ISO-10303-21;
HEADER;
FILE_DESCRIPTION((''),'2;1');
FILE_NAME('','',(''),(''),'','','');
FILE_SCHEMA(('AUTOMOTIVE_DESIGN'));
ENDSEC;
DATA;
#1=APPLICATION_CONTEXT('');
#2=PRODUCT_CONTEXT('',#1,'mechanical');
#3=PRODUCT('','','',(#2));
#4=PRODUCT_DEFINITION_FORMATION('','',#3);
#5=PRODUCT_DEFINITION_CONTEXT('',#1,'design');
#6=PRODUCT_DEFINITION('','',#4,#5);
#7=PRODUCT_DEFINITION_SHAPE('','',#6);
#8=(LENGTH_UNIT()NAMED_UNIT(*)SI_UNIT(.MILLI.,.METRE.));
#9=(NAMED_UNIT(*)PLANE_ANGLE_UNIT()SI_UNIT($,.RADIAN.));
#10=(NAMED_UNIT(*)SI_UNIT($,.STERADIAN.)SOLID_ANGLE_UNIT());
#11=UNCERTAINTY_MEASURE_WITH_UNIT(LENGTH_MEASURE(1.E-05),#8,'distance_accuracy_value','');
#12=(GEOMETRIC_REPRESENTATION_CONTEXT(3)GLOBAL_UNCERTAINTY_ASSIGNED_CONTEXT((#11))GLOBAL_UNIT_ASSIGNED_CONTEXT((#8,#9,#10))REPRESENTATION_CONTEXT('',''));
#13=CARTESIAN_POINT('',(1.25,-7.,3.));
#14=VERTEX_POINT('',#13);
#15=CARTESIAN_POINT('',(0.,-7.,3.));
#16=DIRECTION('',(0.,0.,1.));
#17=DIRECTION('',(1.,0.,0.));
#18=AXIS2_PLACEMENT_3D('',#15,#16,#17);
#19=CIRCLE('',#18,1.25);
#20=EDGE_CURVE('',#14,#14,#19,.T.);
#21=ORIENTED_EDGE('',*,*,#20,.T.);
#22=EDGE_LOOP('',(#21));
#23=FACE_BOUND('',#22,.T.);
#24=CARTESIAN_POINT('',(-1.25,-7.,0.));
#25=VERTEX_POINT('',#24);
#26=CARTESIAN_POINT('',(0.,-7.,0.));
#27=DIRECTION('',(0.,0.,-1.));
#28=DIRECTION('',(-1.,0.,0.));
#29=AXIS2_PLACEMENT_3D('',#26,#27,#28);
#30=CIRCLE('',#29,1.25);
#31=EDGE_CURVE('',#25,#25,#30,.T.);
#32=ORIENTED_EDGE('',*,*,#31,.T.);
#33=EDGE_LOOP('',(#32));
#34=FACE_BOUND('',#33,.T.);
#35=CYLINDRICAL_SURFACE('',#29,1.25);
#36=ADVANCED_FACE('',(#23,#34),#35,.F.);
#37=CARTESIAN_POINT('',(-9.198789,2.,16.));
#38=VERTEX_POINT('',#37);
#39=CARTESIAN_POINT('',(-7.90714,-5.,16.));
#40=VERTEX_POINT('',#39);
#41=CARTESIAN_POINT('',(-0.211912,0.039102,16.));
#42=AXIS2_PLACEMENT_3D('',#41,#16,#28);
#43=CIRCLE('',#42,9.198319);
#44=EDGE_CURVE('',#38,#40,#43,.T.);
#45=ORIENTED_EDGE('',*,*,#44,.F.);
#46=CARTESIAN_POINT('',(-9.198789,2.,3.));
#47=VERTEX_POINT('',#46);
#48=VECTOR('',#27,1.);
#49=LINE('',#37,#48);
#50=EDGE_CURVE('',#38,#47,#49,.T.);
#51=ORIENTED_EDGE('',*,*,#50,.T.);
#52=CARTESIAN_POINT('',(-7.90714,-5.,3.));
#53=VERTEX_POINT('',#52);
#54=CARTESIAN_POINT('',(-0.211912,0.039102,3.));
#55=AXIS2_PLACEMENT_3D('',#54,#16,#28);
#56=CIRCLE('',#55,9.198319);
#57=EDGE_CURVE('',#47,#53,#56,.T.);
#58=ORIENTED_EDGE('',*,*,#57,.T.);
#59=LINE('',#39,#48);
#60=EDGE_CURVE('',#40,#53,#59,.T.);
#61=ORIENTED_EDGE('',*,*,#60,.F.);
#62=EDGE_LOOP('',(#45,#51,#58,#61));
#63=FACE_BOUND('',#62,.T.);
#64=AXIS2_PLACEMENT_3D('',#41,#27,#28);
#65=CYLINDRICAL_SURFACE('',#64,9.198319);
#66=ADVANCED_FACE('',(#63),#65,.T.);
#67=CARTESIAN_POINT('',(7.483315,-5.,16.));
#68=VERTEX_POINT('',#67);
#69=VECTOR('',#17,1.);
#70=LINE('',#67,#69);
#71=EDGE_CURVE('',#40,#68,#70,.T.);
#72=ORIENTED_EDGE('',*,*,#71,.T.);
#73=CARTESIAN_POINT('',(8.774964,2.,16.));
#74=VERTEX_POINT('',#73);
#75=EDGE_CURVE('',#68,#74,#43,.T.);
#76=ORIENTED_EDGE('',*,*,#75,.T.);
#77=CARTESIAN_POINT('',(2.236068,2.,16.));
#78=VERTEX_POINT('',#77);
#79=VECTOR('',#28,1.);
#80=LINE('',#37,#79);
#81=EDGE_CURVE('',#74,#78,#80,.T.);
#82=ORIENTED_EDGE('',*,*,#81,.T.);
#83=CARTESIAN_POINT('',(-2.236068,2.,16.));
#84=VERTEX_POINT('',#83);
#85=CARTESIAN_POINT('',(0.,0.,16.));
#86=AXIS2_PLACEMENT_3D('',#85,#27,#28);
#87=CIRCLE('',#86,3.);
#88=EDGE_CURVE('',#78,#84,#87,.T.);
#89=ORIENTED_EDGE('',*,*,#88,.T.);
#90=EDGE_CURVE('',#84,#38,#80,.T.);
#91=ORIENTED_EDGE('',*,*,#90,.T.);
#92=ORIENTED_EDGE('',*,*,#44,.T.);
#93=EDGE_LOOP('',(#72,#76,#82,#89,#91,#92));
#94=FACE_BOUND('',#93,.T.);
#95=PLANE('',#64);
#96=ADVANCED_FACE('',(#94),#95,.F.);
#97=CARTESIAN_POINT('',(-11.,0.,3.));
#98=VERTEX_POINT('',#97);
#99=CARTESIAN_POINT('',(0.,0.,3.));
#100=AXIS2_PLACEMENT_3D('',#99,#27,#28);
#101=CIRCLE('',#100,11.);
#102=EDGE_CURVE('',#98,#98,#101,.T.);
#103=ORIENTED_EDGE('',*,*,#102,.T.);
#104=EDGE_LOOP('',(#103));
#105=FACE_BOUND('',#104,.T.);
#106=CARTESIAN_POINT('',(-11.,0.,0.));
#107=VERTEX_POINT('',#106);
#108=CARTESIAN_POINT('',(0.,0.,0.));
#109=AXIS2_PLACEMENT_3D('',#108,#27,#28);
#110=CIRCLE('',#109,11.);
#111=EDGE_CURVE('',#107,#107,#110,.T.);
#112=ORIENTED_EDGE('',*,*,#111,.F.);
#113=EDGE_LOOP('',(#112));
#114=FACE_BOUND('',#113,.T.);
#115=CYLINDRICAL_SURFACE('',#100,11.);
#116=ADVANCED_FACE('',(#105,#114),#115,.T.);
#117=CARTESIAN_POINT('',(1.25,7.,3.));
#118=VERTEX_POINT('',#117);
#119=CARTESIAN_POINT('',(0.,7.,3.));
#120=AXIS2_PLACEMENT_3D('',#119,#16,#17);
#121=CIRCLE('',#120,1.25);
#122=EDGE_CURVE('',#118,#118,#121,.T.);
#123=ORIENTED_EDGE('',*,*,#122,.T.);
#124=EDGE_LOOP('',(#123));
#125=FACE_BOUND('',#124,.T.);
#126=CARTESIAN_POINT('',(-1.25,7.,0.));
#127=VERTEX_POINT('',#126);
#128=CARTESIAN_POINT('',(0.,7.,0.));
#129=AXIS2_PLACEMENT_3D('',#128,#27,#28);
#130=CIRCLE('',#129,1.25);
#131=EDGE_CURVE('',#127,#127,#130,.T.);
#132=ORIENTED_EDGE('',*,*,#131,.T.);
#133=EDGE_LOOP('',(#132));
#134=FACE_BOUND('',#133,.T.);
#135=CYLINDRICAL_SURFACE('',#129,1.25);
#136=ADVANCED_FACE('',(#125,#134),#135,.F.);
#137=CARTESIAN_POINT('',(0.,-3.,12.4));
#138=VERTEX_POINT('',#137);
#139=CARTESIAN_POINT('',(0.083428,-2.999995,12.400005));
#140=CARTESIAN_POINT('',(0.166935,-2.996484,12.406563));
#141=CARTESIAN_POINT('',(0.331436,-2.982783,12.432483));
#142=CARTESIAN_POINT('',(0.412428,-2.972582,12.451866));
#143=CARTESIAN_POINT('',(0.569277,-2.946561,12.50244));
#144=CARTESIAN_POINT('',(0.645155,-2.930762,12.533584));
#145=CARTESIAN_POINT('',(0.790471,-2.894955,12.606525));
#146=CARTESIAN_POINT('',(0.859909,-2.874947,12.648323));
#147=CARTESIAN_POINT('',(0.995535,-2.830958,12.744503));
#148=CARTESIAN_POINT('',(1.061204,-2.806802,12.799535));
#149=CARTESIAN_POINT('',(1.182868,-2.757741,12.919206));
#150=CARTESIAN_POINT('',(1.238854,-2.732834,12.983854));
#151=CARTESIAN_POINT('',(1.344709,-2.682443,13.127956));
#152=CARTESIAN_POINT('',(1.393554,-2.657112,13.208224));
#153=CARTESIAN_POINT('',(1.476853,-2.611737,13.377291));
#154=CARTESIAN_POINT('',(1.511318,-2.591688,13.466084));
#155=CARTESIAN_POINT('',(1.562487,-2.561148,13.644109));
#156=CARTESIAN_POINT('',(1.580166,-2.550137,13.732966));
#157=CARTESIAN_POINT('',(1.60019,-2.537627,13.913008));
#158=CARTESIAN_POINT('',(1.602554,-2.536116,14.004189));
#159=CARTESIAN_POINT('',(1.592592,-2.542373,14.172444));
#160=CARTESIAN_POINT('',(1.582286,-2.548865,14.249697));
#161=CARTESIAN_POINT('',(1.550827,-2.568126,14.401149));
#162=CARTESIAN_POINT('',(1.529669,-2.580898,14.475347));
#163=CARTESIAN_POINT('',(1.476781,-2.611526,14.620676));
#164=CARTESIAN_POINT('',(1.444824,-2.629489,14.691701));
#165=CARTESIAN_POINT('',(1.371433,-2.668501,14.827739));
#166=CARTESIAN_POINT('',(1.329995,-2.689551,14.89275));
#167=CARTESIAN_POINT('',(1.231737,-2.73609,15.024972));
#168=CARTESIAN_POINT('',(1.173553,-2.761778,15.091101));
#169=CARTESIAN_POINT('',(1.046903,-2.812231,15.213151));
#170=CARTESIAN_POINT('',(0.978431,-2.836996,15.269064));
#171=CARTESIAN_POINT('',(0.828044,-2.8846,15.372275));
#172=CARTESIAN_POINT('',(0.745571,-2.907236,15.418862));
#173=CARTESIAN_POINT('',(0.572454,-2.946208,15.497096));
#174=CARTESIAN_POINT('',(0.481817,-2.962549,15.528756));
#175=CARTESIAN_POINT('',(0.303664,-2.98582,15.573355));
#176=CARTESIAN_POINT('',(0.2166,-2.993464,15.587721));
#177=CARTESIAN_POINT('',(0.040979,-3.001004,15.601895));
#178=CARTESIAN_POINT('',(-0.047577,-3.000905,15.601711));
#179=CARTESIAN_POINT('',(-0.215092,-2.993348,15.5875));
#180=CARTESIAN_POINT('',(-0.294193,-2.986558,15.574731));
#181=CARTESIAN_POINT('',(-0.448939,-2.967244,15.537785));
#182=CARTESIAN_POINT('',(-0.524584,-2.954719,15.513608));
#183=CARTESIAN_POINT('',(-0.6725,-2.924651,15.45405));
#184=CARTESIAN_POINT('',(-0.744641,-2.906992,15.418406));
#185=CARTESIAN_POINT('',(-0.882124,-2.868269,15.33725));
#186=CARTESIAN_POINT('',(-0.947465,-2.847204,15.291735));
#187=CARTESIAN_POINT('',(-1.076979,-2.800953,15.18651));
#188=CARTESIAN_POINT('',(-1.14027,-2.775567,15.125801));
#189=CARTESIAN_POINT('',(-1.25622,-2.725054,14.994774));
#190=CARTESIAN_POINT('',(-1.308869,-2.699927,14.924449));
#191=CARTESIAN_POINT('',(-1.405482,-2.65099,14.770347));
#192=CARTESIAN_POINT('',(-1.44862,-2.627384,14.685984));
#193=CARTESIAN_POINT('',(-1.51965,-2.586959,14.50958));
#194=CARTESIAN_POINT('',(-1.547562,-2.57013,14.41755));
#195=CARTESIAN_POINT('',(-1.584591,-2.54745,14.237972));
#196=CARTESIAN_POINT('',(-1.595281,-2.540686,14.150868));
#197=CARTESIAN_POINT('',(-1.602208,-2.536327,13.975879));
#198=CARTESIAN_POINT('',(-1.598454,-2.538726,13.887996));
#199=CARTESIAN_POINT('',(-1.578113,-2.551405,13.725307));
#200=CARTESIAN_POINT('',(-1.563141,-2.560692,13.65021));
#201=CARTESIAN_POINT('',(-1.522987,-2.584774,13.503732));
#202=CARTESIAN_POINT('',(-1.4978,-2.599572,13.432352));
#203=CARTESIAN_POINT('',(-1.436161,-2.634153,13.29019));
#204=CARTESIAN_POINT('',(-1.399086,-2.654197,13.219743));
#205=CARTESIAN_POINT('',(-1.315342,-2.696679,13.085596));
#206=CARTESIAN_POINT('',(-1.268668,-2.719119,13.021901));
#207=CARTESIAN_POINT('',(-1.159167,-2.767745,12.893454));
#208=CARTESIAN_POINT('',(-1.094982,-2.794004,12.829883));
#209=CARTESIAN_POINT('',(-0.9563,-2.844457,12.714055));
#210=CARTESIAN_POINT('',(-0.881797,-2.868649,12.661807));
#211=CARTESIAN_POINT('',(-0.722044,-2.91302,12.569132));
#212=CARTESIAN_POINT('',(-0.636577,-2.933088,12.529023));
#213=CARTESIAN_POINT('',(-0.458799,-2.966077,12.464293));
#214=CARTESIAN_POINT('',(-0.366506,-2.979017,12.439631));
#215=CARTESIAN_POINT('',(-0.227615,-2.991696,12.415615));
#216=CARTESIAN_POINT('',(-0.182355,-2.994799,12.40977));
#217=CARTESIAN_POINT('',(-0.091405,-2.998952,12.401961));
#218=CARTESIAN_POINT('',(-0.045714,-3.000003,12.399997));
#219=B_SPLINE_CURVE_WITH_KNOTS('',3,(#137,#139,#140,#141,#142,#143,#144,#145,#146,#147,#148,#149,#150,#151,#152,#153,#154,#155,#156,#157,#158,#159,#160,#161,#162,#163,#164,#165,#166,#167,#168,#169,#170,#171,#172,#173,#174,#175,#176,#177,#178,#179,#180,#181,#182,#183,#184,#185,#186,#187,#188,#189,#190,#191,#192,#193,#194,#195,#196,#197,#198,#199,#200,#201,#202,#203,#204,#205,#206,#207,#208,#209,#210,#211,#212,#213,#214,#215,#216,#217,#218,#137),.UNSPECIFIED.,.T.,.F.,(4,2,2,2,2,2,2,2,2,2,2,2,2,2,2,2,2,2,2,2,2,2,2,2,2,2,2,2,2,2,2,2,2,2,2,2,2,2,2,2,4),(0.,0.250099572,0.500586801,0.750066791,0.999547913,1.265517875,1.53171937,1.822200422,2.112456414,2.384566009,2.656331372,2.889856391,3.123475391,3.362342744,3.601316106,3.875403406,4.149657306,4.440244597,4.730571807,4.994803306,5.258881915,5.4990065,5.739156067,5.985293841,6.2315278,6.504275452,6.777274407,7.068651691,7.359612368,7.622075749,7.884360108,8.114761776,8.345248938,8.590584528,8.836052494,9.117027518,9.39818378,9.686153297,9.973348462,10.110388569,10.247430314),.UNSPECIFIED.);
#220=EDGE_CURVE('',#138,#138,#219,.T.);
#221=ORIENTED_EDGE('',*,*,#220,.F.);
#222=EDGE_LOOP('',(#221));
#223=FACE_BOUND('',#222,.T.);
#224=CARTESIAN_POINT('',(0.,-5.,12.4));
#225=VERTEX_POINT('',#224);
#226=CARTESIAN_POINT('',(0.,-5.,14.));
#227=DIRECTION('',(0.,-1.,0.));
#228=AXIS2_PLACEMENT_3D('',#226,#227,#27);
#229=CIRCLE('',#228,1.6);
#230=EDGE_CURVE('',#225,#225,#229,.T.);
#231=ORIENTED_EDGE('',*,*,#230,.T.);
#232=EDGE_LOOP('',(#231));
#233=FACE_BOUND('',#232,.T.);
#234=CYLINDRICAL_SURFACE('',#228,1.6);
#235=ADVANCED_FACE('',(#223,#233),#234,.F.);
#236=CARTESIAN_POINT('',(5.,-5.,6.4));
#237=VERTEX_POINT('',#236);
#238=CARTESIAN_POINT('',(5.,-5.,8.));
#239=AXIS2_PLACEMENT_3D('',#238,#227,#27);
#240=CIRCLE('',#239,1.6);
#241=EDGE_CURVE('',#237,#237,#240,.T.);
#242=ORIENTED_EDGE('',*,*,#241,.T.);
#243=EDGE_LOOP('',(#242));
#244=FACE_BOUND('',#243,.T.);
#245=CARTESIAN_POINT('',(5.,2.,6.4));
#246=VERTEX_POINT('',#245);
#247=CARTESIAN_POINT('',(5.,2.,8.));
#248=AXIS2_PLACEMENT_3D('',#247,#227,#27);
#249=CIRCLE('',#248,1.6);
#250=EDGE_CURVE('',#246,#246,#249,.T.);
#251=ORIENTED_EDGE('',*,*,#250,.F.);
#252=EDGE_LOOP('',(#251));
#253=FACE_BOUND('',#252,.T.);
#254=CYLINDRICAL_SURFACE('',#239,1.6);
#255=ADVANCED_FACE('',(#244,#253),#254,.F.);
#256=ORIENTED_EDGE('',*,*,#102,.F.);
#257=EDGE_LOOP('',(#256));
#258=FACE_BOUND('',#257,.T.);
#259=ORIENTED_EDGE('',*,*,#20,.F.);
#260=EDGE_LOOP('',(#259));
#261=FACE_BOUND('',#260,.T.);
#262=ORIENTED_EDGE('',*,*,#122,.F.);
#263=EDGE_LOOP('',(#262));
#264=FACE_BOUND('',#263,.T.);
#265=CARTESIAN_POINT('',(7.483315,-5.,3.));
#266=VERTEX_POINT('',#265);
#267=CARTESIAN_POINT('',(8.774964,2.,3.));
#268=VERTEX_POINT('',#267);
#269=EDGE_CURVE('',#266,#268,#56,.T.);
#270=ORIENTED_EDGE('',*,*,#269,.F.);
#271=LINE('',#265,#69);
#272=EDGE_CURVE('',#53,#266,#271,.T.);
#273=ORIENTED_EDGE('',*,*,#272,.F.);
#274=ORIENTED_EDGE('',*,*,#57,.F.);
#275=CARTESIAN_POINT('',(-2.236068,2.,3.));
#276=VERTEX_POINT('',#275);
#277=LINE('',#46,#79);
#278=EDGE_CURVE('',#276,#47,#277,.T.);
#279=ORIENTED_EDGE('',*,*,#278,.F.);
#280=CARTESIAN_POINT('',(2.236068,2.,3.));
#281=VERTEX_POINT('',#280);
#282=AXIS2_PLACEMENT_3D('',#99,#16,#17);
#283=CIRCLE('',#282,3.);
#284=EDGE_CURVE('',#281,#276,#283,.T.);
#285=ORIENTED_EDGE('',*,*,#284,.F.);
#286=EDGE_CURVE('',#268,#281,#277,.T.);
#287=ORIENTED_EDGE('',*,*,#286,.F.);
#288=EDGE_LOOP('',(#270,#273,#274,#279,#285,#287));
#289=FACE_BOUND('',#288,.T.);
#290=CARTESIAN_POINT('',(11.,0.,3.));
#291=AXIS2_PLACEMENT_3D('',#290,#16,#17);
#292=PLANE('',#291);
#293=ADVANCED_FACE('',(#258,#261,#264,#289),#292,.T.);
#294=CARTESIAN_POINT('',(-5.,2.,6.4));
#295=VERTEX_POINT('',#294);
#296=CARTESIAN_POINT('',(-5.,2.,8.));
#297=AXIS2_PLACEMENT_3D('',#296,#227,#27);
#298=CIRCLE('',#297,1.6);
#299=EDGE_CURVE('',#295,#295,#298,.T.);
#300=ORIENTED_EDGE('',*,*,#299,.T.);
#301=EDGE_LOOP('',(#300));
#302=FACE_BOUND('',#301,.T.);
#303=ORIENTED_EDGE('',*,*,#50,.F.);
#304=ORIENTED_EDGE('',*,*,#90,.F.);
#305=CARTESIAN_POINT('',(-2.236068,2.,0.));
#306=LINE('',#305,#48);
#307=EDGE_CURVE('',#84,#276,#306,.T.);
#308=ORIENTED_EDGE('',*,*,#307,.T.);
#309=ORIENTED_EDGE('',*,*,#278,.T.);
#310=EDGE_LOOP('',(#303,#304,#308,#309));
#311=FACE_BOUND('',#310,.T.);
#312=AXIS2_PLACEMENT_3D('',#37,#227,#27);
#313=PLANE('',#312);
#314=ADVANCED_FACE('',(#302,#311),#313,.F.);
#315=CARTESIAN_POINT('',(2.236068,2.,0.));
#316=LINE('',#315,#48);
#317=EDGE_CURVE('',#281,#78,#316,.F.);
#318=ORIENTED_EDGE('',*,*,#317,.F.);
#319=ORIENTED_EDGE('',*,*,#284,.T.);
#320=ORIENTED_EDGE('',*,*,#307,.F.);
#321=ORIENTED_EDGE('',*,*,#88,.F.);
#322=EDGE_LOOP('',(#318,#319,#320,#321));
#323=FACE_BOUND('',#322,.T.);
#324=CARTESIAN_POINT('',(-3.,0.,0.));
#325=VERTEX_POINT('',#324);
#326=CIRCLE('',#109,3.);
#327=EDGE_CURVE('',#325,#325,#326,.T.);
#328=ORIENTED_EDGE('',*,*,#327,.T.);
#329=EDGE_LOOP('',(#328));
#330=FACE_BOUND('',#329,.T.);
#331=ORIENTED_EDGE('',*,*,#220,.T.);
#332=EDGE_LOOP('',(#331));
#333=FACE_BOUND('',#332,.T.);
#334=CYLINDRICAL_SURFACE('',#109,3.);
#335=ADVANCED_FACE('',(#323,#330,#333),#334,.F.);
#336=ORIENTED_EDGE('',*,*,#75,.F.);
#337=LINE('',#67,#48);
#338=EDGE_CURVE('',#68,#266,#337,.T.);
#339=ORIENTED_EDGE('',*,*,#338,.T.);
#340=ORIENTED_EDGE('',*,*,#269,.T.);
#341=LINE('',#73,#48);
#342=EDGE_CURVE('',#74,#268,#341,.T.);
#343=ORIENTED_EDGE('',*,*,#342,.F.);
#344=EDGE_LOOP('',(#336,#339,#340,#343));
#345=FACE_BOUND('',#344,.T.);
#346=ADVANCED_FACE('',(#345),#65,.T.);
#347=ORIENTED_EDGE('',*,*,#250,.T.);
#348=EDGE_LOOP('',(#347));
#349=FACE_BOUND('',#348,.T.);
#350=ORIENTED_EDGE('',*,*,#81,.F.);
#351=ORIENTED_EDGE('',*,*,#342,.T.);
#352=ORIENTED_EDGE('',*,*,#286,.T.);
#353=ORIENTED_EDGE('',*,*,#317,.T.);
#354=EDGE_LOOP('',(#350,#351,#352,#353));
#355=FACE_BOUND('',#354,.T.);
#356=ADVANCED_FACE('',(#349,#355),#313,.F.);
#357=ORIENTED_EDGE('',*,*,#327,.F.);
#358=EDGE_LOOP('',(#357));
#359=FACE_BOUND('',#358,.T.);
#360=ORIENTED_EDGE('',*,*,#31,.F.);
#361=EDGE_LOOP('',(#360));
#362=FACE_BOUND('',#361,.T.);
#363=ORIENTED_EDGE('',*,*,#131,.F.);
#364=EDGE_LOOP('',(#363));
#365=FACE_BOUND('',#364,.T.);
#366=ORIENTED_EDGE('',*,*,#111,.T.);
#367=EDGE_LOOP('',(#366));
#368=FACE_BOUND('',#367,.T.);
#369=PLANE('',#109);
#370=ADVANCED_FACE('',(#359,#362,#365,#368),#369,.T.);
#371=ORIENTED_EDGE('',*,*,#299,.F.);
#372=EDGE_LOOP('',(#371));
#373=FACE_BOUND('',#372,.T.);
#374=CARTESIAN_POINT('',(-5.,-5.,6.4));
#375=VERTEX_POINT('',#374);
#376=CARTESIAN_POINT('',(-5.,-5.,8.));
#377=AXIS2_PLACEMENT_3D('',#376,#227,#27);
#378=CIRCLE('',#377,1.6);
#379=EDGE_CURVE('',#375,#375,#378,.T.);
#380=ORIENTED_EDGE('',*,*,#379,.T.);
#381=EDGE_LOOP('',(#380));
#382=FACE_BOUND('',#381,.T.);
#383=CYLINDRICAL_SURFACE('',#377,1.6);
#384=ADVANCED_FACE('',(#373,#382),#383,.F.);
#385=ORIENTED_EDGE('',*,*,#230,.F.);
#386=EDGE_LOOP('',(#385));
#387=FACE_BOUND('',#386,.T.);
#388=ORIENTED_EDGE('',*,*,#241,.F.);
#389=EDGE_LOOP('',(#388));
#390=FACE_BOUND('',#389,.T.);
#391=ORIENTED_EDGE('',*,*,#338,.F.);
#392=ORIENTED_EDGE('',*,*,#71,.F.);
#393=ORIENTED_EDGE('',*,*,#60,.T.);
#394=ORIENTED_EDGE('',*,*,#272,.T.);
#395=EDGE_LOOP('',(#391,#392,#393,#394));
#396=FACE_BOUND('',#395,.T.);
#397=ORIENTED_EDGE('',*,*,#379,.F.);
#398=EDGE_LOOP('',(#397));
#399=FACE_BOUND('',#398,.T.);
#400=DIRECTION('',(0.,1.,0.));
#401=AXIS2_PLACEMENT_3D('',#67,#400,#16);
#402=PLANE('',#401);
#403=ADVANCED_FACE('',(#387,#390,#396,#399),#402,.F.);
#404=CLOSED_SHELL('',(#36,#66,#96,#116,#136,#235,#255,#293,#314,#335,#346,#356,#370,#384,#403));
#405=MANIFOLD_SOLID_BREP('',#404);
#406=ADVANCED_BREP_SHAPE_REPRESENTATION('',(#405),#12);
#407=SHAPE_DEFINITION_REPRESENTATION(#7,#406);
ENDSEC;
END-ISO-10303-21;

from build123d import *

# Parameters (mm, degrees)
SKETCH_1_W                  = 11
SKETCH_1_H                  = 3
EXTRUDE_1_DEPTH             = 13
HOLE_WIZARD_2_5_2_5_1_D     = 2.5
HOLE_WIZARD_2_5_2_5_1_DEPTH = 16
HOLE_WIZARD_3_2_3_2_1_D     = 3.2
HOLE_WIZARD_3_2_3_2_1_DEPTH = 16
HOLE_WIZARD_6_0_6_1_D       = 6
HOLE_WIZARD_3_2_3_2_2_D     = 3.2
HOLE_WIZARD_3_2_3_2_2_DEPTH = 16


with BuildPart() as part:
    # 草图1 → 旋转1 (revolve)
    with BuildSketch(Plane.XZ, mode=Mode.PRIVATE) as revolve_1_sk:
        with Locations((5.5, 1.5)):
            Rectangle(SKETCH_1_W, SKETCH_1_H)
    revolve(revolve_1_sk.sketch.rotate(Axis((0, 0, 3), (0, 0, -1)), 180), axis=Axis((0, 0, 3), (0, 0, -1)))

    # 草图2 → 凸台-拉伸1 (add)
    with BuildSketch(Plane.XY.offset(3)):
        with BuildLine():
            Line((7.483314774, -5), (-7.907139717, -5))
            ThreePointArc((-7.907139717, -5), (-9.257527395, -1.630006909), (-9.198789331, 2))
            Line((-9.198789331, 2), (8.774964387, 2))
            ThreePointArc((8.774964387, 2), (8.833702451, -1.630006909), (7.483314774, -5))
        make_face()
    extrude(amount=EXTRUDE_1_DEPTH)

    # Ø2.5 (2.5) 直径孔1
    with Locations(Plane(origin=(0, 0, 0), x_dir=(-1, 0, 0), z_dir=(0, 0, -1))):
        with Locations((0, -7), (0, 7)):
            Hole(HOLE_WIZARD_2_5_2_5_1_D / 2, depth=HOLE_WIZARD_2_5_2_5_1_DEPTH)

    # Ø3.2 (3.2) 直径孔1
    with Locations(Plane(origin=(0, -5, 0), x_dir=(-1, 0, 0), z_dir=(0, -1, 0))):
        with Locations((5, -8), (-5, -8)):
            Hole(HOLE_WIZARD_3_2_3_2_1_D / 2, depth=HOLE_WIZARD_3_2_3_2_1_DEPTH)

    # Ø6.0 (6) 直径孔1 (through all)
    with Locations(Plane(origin=(0, 0, 0), x_dir=(-1, 0, 0), z_dir=(0, 0, -1))):
        with Locations((0, 0)):
            Hole(HOLE_WIZARD_6_0_6_1_D / 2)

    # Ø3.2 (3.2) 直径孔2
    with Locations(Plane(origin=(0, -5, 0), x_dir=(-1, 0, 0), z_dir=(0, -1, 0))):
        with Locations((0, -14)):
            Hole(HOLE_WIZARD_3_2_3_2_2_D / 2, depth=HOLE_WIZARD_3_2_3_2_2_DEPTH)


solid = part.part
